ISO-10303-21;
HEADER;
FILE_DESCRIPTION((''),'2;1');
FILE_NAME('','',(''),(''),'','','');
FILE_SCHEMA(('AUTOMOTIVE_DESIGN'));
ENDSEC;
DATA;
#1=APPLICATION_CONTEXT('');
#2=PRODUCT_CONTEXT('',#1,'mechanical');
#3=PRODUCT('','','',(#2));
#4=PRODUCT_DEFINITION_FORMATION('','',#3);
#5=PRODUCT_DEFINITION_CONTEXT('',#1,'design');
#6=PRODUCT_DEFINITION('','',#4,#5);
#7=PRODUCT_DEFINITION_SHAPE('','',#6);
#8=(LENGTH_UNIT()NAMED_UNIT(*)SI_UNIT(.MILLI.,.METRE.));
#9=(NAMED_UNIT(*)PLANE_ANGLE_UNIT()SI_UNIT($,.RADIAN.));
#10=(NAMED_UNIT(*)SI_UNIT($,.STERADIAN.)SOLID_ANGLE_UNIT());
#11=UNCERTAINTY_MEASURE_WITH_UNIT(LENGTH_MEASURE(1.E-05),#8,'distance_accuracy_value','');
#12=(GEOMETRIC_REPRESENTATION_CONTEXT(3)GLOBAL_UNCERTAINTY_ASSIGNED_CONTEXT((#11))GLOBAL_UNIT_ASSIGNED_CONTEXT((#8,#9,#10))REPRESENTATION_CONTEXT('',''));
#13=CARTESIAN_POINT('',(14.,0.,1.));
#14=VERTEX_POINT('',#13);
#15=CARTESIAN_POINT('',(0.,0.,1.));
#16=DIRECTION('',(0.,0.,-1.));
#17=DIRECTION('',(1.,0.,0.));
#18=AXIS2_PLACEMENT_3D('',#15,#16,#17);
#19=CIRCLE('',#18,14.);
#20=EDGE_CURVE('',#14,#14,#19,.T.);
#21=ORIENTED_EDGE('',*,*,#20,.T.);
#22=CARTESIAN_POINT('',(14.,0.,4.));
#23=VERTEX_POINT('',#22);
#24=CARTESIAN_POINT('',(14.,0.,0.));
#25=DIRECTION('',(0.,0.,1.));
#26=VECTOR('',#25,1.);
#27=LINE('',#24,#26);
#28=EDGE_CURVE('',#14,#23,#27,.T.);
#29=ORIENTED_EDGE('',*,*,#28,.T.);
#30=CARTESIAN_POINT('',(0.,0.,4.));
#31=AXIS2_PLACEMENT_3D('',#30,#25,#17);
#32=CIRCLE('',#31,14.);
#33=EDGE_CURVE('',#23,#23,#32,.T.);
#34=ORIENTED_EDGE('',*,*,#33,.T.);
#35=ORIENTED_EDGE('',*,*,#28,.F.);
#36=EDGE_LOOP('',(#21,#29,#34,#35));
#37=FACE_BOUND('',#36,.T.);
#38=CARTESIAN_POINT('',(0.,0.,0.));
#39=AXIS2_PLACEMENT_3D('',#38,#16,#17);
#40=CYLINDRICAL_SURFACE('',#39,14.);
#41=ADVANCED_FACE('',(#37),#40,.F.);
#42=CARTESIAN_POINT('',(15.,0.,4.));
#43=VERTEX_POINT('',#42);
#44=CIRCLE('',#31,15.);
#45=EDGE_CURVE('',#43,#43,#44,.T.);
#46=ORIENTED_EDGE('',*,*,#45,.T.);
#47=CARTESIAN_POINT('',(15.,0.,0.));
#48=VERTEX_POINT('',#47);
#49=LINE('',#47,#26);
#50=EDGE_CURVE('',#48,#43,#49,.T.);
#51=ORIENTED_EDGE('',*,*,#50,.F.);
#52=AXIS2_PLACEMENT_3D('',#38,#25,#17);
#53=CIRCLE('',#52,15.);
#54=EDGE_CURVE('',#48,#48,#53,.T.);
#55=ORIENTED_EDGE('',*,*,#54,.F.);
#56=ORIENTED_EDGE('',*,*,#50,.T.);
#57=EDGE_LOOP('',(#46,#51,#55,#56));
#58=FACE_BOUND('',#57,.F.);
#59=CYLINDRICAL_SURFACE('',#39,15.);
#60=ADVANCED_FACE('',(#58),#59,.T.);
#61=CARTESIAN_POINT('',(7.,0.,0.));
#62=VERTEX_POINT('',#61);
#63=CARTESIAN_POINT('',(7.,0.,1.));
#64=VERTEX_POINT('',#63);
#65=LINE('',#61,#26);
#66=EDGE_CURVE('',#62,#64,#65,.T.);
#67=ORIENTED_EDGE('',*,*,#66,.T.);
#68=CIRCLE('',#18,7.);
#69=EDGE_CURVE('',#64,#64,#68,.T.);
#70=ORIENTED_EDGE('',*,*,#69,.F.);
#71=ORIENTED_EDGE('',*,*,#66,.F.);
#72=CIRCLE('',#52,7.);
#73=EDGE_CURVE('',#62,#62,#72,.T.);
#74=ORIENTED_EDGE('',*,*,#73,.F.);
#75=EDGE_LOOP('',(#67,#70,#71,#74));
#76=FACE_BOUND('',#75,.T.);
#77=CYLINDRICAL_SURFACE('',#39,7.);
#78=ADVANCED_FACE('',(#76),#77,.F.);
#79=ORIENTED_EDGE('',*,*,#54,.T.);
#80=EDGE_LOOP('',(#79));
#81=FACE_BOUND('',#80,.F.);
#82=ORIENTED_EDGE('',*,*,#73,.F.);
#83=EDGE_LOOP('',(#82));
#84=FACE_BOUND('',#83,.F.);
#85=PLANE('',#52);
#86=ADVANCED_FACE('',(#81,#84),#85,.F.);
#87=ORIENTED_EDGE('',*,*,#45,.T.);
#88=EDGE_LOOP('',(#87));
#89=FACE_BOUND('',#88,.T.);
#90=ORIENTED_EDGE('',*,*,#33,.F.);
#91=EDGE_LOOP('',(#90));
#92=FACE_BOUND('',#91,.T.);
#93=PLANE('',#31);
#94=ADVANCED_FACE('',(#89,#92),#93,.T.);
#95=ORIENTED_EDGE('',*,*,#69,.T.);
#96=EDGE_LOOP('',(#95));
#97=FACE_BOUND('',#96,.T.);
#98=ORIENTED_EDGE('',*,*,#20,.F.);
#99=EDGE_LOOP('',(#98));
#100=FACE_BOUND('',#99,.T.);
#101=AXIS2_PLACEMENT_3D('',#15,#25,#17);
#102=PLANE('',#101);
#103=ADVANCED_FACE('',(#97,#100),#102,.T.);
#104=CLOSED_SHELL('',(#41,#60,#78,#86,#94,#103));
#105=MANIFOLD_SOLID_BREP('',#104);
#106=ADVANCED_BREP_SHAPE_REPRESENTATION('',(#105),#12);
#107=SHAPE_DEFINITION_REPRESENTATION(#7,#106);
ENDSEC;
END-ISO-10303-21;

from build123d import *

# Parameters (mm, degrees)
F0_R     = 15
F1_DEPTH = 4
F2_T     = -1
F3_R     = 7
F4_DEPTH = 1.1


with BuildPart() as f1:
    # F0 (on Top) → F1 (new body)
    with BuildSketch(Plane.XY):
        Circle(F0_R)
    extrude(amount=F1_DEPTH)

    # F2
    f2_openings = [f1.faces().sort_by_distance(p)[0] for p in [
        (0, 0, 4),
    ]]
    offset(amount=F2_T, openings=f2_openings)

    # F3 (on Top) → F4 (cut)
    with BuildSketch(Plane.XY):
        Circle(F3_R)
    extrude(amount=F4_DEPTH, mode=Mode.SUBTRACT)


solid = f1.part
